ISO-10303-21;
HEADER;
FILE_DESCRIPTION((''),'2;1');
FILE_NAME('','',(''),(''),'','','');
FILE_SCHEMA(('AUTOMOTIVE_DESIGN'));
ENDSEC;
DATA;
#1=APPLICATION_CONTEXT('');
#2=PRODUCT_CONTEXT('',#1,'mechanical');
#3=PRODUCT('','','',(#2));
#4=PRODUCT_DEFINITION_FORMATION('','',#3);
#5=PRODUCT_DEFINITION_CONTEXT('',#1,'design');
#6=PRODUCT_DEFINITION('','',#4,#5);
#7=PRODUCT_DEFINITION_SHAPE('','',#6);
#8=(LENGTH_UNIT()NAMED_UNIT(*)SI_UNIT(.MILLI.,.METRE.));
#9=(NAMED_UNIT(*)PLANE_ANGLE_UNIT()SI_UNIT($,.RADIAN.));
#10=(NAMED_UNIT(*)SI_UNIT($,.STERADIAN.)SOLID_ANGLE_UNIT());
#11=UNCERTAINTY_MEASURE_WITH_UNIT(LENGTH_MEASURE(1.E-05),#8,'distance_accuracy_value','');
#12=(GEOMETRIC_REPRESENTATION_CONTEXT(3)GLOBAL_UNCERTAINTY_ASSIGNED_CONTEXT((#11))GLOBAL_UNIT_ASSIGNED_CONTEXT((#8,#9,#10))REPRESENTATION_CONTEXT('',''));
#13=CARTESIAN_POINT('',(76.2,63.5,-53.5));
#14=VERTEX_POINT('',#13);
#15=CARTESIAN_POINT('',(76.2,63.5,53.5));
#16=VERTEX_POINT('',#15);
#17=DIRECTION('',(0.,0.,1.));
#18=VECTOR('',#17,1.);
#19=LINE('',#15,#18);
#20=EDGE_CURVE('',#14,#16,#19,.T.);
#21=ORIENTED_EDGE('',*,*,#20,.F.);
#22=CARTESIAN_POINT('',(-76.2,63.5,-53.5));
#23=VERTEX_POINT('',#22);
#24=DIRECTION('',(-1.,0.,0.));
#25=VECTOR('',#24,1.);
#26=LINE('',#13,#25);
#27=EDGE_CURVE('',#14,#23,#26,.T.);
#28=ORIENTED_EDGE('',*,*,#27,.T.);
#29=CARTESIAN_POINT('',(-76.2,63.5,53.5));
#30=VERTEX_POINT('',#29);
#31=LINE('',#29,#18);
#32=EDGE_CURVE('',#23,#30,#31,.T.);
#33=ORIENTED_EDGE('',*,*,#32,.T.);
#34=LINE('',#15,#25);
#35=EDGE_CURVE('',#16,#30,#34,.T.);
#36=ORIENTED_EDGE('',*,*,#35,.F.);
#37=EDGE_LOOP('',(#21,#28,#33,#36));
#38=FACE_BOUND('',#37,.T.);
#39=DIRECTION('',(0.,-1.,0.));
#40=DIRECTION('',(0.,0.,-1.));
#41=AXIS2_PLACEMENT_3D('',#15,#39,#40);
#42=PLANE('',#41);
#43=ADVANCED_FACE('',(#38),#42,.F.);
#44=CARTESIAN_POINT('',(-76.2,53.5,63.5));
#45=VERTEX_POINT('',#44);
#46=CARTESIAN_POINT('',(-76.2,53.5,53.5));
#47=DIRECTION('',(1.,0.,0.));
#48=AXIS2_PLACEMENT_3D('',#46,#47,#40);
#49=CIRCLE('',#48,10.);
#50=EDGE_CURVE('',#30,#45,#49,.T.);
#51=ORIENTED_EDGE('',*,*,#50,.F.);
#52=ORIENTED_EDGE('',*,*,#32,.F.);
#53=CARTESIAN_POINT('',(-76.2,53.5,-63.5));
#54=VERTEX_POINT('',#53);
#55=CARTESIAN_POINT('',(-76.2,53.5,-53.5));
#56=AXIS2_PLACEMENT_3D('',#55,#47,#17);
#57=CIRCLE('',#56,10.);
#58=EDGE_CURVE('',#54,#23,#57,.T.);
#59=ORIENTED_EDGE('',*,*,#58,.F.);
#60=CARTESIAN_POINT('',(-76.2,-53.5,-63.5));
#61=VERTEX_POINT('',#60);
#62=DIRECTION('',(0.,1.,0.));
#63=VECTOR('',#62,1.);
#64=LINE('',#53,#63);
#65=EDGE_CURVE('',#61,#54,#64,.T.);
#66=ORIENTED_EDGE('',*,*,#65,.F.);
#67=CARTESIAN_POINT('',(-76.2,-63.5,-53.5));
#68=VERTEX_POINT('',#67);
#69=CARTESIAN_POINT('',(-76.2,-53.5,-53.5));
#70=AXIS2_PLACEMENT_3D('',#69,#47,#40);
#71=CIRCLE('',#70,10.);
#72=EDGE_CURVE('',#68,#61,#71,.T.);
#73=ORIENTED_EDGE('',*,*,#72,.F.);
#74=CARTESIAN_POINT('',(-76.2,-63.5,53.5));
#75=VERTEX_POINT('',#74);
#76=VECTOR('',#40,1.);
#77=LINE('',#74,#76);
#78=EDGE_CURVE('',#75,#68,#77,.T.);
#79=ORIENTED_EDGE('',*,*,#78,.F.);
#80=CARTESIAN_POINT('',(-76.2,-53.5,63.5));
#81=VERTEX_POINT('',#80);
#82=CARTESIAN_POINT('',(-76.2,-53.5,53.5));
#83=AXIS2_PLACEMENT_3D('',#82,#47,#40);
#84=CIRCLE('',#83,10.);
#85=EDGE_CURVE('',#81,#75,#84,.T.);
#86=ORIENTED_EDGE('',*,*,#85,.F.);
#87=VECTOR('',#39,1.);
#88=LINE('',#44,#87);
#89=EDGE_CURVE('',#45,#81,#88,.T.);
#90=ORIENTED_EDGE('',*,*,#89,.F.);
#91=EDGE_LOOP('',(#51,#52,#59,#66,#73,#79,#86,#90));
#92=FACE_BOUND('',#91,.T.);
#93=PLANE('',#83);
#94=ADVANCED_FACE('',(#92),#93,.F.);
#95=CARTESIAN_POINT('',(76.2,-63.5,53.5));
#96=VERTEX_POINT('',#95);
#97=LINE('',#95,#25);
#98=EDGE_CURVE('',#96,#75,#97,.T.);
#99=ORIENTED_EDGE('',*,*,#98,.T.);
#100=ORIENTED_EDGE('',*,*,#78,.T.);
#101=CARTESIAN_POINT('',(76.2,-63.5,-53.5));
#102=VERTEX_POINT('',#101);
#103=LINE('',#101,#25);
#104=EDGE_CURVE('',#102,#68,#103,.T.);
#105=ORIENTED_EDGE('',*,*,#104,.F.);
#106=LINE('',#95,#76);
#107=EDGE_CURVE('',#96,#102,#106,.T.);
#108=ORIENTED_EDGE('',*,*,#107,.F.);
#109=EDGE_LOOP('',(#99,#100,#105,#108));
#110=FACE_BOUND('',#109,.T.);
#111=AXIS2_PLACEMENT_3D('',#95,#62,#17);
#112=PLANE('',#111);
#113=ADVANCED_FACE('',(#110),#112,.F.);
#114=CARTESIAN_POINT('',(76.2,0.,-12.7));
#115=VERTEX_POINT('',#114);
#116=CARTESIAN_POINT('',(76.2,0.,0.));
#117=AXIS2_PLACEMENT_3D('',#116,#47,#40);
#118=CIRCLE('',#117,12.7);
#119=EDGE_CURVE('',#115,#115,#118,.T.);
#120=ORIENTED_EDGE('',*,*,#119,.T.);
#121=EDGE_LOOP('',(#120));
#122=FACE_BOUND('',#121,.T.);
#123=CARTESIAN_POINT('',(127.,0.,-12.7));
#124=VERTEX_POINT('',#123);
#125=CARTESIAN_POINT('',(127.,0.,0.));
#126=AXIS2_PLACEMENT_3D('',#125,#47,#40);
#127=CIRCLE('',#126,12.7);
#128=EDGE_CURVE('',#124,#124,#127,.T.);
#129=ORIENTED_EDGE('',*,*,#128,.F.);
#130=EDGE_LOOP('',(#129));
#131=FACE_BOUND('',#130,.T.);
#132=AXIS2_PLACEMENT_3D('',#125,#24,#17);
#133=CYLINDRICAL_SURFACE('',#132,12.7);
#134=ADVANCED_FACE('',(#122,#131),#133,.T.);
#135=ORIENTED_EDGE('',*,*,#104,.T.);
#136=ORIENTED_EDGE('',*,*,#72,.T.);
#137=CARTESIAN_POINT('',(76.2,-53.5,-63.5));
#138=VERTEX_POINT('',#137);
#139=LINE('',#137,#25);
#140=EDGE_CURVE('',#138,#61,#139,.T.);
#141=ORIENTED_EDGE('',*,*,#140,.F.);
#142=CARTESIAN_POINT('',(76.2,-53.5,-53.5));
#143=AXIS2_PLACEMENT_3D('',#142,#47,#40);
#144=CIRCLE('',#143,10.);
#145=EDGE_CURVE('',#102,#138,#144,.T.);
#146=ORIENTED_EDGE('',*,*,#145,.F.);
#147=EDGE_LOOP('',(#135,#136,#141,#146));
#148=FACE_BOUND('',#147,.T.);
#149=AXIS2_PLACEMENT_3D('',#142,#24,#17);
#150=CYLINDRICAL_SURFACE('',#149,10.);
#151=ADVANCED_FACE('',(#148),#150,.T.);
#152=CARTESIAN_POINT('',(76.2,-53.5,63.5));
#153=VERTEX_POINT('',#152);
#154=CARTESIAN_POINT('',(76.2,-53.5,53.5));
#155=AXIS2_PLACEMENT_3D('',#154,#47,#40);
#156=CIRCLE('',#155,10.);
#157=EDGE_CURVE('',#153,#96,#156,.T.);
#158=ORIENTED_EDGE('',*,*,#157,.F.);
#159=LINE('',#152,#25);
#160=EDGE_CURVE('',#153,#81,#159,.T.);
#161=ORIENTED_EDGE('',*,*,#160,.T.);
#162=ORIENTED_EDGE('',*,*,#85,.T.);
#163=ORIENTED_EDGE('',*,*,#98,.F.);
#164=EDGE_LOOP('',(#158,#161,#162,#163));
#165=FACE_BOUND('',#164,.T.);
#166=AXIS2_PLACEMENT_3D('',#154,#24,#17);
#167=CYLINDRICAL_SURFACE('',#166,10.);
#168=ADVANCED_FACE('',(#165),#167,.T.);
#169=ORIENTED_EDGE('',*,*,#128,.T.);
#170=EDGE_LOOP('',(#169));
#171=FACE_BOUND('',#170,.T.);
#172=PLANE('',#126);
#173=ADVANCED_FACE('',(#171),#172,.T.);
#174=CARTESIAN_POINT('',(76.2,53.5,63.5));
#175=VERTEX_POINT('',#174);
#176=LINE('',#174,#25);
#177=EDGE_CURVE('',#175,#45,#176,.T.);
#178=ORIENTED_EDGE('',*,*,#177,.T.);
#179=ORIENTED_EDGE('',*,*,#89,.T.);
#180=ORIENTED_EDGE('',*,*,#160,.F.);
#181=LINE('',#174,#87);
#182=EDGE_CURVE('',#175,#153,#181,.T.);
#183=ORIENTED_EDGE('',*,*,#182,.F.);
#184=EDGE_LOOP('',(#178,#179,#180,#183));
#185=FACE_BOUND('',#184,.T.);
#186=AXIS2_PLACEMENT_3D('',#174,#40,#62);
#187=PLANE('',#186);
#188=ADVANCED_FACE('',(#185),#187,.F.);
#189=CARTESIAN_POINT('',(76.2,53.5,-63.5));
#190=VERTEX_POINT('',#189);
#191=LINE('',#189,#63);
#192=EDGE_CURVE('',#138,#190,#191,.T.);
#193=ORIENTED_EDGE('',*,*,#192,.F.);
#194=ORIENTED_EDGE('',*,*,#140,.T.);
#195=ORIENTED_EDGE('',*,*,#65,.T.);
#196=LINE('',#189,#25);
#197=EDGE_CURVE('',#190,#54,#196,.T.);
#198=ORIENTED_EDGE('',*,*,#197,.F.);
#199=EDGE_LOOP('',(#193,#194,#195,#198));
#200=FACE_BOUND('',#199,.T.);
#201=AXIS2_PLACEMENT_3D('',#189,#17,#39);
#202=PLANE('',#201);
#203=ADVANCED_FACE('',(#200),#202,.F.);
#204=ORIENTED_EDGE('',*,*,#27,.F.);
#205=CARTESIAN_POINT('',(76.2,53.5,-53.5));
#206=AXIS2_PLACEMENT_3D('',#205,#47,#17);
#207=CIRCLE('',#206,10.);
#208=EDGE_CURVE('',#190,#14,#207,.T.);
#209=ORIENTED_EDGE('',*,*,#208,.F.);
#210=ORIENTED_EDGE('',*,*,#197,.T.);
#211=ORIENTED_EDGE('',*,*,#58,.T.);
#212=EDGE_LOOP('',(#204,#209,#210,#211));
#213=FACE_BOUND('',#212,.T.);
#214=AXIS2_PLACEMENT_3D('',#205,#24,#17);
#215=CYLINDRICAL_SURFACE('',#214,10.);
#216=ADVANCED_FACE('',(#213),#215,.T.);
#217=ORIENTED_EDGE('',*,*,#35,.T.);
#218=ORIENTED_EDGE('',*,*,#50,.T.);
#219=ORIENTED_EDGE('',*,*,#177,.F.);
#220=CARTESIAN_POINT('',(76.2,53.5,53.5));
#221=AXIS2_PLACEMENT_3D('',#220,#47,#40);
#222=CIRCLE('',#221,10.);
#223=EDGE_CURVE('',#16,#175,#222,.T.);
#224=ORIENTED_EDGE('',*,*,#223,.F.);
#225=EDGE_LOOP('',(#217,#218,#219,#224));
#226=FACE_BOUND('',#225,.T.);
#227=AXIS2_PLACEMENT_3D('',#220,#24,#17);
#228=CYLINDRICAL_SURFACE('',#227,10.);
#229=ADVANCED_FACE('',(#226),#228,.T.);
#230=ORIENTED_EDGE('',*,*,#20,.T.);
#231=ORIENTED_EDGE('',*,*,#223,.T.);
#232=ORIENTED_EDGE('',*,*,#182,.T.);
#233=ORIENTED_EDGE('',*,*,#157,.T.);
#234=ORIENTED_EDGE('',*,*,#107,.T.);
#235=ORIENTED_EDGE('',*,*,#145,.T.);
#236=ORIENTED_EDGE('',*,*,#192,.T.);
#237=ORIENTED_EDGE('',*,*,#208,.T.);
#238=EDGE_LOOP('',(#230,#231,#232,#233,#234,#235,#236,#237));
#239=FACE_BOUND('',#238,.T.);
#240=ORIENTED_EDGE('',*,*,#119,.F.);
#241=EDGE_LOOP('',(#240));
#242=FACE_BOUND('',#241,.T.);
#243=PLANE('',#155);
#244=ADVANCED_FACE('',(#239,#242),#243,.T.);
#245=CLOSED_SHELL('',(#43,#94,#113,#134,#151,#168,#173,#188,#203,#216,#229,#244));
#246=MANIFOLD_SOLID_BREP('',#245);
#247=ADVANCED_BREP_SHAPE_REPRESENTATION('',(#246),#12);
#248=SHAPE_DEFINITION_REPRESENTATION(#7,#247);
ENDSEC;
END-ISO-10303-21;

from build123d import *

# Parameters (mm, degrees)
BOSS_EXTRUDE1_DEPTH = 76.2
SKETCH2_R           = 12.7
BOSS_EXTRUDE2_DEPTH = 50.8


with BuildPart() as part:
    # Sketch1 → Boss-Extrude1 (new body, symmetric)
    with BuildSketch(Plane(origin=(0, 0, 0), x_dir=(0, 0, -1), z_dir=(1, 0, 0))):
        with BuildLine():
            Line((-53.5, 63.5), (53.5, 63.5))
            ThreePointArc((53.5, 63.5), (60.571067812, 60.571067812), (63.5, 53.5))
            Line((63.5, 53.5), (63.5, -53.5))
            ThreePointArc((63.5, -53.5), (60.571067812, -60.571067812), (53.5, -63.5))
            Line((53.5, -63.5), (-53.5, -63.5))
            ThreePointArc((-53.5, -63.5), (-60.571067812, -60.571067812), (-63.5, -53.5))
            Line((-63.5, -53.5), (-63.5, 53.5))
            ThreePointArc((-63.5, 53.5), (-60.571067812, 60.571067812), (-53.5, 63.5))
        make_face()
    extrude(amount=BOSS_EXTRUDE1_DEPTH, both=True)

    # Sketch2 → Boss-Extrude2 (add)
    with BuildSketch(Plane(origin=(76.2, 0, 0), x_dir=(0, 0, -1), z_dir=(1, 0, 0))):
        Circle(SKETCH2_R)
    extrude(amount=BOSS_EXTRUDE2_DEPTH)


solid = part.part
